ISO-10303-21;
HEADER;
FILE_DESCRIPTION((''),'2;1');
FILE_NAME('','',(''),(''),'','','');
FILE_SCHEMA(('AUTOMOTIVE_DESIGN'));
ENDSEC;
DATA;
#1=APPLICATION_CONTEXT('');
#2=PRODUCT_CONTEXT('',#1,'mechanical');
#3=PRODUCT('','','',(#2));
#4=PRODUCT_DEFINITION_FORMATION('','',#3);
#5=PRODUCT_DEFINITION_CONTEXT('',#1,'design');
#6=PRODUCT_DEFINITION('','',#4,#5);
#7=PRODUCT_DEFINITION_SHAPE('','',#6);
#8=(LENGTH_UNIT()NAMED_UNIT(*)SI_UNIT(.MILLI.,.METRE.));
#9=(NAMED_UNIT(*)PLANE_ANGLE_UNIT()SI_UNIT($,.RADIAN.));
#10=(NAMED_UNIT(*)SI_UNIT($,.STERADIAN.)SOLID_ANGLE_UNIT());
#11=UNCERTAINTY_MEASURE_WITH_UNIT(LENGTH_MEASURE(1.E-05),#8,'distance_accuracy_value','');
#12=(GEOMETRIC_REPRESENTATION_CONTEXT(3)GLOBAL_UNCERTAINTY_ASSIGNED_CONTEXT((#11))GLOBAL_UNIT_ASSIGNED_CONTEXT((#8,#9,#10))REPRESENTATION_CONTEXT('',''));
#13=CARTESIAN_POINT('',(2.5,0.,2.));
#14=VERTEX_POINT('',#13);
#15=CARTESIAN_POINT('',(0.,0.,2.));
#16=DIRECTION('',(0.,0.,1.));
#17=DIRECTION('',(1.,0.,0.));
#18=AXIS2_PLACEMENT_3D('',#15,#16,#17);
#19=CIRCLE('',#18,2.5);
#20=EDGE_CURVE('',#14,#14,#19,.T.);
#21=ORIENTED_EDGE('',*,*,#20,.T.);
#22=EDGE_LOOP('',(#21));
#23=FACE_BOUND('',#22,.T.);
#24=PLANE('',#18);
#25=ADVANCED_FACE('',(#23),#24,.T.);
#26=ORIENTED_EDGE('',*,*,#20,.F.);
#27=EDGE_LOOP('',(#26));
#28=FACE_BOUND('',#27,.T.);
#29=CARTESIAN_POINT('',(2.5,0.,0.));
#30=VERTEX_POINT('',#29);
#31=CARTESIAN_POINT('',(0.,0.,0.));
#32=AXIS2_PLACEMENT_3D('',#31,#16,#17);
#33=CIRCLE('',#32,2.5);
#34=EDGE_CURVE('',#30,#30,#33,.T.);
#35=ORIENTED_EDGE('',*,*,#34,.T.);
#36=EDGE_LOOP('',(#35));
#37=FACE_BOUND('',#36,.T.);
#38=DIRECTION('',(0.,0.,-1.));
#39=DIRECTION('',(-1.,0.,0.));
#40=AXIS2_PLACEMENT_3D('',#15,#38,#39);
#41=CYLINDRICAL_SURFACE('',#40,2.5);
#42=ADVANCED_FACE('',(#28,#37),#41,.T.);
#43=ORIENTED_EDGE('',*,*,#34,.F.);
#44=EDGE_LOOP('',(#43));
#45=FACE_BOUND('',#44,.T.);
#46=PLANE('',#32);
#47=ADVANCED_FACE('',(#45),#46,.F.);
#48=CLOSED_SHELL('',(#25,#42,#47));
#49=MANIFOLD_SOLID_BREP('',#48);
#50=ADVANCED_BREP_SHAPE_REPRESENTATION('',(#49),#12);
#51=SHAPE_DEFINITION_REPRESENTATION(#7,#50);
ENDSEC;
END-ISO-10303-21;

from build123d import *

# Parameters (mm, degrees)
SKETCH_1_R      = 2.5
EXTRUDE_1_DEPTH = 2


with BuildPart() as part:
    # 草图1 → 凸台-拉伸1 (new body)
    with BuildSketch(Plane.XY):
        Circle(SKETCH_1_R)
    extrude(amount=EXTRUDE_1_DEPTH)


solid = part.part
